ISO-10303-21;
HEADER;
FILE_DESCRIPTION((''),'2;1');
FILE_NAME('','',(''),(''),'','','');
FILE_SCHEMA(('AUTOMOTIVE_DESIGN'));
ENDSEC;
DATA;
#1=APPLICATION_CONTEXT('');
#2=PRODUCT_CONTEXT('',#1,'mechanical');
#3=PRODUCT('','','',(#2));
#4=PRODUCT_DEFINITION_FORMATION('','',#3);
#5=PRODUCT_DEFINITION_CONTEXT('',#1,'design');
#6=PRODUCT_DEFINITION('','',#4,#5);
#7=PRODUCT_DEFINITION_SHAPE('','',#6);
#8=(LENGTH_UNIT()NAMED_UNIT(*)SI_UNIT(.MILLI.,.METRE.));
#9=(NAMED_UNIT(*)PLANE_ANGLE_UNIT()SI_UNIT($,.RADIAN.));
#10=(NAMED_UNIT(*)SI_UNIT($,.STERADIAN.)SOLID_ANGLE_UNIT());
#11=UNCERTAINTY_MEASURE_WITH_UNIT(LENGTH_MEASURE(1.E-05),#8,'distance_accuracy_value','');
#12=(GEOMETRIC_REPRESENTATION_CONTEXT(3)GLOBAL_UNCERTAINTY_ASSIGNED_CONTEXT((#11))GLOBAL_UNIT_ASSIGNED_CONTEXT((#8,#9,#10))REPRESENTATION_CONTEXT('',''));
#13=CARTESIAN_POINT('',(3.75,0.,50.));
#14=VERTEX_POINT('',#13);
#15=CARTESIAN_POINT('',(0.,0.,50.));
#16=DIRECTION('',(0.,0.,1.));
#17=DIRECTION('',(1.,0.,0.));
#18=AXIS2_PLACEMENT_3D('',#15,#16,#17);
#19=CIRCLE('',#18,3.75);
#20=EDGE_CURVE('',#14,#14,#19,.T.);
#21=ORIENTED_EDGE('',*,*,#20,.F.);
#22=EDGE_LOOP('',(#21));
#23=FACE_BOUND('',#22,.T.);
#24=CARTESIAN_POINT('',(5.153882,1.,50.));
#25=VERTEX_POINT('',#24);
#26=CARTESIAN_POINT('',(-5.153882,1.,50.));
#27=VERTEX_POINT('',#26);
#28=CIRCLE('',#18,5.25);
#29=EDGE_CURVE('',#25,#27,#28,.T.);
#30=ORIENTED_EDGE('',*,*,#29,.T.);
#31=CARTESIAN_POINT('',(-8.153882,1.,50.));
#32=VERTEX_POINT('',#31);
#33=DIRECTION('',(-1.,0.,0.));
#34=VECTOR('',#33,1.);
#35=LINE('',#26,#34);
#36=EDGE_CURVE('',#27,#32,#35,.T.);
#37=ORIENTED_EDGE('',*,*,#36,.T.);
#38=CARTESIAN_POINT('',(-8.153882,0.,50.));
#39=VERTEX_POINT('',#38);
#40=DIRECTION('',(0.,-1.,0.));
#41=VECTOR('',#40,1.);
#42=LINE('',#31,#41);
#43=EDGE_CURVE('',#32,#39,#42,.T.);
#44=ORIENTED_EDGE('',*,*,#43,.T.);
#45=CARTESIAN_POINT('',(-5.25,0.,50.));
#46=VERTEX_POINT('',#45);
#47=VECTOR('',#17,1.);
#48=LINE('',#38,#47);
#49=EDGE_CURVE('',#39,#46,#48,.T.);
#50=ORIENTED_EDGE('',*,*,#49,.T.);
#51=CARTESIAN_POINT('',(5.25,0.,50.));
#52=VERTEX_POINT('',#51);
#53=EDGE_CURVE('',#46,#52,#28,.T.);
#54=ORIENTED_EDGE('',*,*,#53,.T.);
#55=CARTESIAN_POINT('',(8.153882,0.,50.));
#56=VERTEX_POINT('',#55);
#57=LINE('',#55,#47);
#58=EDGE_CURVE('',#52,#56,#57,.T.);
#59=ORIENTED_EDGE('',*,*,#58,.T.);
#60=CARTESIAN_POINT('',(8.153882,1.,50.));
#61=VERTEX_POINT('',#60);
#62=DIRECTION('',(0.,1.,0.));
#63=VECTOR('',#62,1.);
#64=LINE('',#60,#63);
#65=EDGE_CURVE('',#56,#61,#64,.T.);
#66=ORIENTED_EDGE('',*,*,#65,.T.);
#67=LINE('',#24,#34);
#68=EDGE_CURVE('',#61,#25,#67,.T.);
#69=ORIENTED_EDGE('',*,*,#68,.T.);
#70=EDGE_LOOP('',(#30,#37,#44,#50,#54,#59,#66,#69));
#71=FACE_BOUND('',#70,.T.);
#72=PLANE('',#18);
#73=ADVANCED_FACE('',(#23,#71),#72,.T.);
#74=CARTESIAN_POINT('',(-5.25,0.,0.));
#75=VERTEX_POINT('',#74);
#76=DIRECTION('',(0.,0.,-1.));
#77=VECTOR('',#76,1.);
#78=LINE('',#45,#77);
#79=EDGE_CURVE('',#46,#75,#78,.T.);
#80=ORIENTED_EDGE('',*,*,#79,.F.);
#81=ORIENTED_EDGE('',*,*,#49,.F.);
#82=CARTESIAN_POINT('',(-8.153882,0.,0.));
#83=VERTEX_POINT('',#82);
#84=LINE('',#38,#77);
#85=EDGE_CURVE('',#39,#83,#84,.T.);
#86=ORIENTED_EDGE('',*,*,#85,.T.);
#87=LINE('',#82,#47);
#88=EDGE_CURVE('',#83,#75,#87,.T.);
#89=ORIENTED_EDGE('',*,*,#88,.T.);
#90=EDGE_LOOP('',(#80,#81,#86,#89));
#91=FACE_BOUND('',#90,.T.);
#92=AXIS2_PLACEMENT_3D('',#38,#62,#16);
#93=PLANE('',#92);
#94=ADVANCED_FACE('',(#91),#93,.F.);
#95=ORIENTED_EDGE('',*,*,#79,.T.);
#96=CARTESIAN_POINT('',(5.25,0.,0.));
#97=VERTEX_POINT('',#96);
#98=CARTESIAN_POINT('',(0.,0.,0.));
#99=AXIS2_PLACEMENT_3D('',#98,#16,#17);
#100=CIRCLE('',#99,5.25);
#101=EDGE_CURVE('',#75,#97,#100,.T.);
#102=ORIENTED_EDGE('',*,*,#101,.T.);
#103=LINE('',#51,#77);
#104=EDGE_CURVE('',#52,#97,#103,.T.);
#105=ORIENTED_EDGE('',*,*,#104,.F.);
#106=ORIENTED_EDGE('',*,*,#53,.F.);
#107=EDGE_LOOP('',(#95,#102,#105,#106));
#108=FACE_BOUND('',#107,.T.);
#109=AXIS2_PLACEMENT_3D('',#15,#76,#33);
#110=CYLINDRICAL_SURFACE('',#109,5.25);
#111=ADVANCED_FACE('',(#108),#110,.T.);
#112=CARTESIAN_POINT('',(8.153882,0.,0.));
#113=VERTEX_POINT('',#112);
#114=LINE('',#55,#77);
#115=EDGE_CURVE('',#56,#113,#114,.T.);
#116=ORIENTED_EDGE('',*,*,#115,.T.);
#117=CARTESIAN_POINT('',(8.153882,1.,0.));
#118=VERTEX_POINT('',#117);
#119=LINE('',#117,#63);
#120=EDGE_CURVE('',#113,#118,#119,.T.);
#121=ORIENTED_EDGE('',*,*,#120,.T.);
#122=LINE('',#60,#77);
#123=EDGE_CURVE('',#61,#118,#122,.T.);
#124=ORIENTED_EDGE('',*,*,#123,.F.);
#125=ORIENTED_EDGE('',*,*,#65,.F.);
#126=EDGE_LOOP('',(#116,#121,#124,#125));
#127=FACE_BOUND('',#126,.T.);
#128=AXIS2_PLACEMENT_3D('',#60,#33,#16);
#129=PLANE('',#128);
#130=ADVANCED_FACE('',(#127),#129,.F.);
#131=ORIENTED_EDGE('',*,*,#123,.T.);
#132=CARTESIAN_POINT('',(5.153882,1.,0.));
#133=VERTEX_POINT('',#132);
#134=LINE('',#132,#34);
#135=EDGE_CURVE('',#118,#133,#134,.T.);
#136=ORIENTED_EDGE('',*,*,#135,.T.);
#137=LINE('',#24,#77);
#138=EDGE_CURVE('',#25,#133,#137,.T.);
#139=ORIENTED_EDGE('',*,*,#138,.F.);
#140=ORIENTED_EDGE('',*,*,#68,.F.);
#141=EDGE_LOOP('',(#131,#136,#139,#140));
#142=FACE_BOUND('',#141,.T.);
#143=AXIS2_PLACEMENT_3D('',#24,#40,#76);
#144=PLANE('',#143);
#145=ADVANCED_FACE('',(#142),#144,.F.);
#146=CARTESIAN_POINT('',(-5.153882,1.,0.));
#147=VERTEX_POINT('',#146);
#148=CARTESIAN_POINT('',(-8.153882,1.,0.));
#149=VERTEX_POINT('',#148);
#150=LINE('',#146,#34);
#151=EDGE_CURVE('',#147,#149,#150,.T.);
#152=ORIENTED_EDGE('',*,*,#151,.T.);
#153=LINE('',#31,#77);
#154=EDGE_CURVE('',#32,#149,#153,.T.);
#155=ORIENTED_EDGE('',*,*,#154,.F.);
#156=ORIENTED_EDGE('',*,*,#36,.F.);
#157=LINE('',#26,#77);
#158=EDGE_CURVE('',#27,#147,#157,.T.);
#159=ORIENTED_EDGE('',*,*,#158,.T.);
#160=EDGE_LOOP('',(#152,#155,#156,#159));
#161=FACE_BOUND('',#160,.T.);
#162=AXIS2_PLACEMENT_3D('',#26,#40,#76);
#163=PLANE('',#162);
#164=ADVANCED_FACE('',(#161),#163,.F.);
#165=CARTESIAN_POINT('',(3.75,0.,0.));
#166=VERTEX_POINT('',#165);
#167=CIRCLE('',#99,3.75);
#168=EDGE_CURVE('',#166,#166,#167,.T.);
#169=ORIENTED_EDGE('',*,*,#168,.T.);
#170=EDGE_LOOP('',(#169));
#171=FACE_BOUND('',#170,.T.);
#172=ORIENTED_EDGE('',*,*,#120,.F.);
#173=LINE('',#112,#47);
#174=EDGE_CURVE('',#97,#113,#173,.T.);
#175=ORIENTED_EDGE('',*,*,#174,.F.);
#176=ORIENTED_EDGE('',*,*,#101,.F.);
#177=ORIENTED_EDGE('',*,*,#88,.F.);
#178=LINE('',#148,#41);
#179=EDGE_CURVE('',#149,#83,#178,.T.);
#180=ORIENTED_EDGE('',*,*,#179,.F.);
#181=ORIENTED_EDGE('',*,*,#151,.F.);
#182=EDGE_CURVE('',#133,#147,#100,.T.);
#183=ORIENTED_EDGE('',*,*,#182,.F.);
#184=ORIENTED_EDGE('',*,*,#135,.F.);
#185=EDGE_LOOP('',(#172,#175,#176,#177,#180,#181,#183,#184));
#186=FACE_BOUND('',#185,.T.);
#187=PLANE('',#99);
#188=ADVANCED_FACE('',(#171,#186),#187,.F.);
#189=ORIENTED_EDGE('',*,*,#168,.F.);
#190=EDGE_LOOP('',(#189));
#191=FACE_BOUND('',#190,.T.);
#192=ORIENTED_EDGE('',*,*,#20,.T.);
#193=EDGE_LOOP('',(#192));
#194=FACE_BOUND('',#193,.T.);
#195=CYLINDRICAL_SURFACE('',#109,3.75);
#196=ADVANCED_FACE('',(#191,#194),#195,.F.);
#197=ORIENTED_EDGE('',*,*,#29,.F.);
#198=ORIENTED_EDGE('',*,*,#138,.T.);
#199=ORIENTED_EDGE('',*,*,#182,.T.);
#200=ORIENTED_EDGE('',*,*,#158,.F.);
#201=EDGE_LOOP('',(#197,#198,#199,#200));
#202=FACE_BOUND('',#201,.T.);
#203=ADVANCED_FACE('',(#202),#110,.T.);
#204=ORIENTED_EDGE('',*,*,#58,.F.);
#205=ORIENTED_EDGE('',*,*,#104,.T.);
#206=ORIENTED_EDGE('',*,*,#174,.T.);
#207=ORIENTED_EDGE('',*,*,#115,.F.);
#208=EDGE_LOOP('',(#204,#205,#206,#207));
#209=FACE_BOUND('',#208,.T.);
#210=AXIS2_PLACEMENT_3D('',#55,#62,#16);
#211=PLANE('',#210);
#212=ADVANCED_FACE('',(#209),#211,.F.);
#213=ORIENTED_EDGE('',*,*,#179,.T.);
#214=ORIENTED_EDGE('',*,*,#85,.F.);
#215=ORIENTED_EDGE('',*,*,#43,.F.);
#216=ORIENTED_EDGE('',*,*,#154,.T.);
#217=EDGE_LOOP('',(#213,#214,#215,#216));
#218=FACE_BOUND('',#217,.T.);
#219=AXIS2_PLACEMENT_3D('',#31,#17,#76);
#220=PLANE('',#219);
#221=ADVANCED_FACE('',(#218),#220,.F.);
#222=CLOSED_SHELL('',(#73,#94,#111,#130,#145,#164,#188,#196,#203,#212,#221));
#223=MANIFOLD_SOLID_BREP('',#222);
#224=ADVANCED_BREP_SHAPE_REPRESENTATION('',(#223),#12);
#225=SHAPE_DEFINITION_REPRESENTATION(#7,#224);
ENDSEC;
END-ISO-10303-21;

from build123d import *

# Parameters (mm, degrees)
SKETCH2_R           = 3.75
BOSS_EXTRUDE1_DEPTH = 50


with BuildPart() as part:
    # Sketch2 → Boss-Extrude1 (new body)
    with BuildSketch(Plane.XY):
        with BuildLine():
            Line((-8.153882032, 0), (-5.25, 0))
            ThreePointArc((-5.25, 0), (0, -5.25), (5.25, 0))
            Line((5.25, 0), (8.153882032, 0))
            Line((8.153882032, 0), (8.153882032, 1))
            Line((8.153882032, 1), (5.153882032, 1))
            ThreePointArc((5.153882032, 1), (0, 5.25), (-5.153882032, 1))
            Line((-5.153882032, 1), (-8.153882032, 1))
            Line((-8.153882032, 1), (-8.153882032, 0))
        make_face()
        Circle(SKETCH2_R, mode=Mode.SUBTRACT)
    extrude(amount=BOSS_EXTRUDE1_DEPTH)


solid = part.part
